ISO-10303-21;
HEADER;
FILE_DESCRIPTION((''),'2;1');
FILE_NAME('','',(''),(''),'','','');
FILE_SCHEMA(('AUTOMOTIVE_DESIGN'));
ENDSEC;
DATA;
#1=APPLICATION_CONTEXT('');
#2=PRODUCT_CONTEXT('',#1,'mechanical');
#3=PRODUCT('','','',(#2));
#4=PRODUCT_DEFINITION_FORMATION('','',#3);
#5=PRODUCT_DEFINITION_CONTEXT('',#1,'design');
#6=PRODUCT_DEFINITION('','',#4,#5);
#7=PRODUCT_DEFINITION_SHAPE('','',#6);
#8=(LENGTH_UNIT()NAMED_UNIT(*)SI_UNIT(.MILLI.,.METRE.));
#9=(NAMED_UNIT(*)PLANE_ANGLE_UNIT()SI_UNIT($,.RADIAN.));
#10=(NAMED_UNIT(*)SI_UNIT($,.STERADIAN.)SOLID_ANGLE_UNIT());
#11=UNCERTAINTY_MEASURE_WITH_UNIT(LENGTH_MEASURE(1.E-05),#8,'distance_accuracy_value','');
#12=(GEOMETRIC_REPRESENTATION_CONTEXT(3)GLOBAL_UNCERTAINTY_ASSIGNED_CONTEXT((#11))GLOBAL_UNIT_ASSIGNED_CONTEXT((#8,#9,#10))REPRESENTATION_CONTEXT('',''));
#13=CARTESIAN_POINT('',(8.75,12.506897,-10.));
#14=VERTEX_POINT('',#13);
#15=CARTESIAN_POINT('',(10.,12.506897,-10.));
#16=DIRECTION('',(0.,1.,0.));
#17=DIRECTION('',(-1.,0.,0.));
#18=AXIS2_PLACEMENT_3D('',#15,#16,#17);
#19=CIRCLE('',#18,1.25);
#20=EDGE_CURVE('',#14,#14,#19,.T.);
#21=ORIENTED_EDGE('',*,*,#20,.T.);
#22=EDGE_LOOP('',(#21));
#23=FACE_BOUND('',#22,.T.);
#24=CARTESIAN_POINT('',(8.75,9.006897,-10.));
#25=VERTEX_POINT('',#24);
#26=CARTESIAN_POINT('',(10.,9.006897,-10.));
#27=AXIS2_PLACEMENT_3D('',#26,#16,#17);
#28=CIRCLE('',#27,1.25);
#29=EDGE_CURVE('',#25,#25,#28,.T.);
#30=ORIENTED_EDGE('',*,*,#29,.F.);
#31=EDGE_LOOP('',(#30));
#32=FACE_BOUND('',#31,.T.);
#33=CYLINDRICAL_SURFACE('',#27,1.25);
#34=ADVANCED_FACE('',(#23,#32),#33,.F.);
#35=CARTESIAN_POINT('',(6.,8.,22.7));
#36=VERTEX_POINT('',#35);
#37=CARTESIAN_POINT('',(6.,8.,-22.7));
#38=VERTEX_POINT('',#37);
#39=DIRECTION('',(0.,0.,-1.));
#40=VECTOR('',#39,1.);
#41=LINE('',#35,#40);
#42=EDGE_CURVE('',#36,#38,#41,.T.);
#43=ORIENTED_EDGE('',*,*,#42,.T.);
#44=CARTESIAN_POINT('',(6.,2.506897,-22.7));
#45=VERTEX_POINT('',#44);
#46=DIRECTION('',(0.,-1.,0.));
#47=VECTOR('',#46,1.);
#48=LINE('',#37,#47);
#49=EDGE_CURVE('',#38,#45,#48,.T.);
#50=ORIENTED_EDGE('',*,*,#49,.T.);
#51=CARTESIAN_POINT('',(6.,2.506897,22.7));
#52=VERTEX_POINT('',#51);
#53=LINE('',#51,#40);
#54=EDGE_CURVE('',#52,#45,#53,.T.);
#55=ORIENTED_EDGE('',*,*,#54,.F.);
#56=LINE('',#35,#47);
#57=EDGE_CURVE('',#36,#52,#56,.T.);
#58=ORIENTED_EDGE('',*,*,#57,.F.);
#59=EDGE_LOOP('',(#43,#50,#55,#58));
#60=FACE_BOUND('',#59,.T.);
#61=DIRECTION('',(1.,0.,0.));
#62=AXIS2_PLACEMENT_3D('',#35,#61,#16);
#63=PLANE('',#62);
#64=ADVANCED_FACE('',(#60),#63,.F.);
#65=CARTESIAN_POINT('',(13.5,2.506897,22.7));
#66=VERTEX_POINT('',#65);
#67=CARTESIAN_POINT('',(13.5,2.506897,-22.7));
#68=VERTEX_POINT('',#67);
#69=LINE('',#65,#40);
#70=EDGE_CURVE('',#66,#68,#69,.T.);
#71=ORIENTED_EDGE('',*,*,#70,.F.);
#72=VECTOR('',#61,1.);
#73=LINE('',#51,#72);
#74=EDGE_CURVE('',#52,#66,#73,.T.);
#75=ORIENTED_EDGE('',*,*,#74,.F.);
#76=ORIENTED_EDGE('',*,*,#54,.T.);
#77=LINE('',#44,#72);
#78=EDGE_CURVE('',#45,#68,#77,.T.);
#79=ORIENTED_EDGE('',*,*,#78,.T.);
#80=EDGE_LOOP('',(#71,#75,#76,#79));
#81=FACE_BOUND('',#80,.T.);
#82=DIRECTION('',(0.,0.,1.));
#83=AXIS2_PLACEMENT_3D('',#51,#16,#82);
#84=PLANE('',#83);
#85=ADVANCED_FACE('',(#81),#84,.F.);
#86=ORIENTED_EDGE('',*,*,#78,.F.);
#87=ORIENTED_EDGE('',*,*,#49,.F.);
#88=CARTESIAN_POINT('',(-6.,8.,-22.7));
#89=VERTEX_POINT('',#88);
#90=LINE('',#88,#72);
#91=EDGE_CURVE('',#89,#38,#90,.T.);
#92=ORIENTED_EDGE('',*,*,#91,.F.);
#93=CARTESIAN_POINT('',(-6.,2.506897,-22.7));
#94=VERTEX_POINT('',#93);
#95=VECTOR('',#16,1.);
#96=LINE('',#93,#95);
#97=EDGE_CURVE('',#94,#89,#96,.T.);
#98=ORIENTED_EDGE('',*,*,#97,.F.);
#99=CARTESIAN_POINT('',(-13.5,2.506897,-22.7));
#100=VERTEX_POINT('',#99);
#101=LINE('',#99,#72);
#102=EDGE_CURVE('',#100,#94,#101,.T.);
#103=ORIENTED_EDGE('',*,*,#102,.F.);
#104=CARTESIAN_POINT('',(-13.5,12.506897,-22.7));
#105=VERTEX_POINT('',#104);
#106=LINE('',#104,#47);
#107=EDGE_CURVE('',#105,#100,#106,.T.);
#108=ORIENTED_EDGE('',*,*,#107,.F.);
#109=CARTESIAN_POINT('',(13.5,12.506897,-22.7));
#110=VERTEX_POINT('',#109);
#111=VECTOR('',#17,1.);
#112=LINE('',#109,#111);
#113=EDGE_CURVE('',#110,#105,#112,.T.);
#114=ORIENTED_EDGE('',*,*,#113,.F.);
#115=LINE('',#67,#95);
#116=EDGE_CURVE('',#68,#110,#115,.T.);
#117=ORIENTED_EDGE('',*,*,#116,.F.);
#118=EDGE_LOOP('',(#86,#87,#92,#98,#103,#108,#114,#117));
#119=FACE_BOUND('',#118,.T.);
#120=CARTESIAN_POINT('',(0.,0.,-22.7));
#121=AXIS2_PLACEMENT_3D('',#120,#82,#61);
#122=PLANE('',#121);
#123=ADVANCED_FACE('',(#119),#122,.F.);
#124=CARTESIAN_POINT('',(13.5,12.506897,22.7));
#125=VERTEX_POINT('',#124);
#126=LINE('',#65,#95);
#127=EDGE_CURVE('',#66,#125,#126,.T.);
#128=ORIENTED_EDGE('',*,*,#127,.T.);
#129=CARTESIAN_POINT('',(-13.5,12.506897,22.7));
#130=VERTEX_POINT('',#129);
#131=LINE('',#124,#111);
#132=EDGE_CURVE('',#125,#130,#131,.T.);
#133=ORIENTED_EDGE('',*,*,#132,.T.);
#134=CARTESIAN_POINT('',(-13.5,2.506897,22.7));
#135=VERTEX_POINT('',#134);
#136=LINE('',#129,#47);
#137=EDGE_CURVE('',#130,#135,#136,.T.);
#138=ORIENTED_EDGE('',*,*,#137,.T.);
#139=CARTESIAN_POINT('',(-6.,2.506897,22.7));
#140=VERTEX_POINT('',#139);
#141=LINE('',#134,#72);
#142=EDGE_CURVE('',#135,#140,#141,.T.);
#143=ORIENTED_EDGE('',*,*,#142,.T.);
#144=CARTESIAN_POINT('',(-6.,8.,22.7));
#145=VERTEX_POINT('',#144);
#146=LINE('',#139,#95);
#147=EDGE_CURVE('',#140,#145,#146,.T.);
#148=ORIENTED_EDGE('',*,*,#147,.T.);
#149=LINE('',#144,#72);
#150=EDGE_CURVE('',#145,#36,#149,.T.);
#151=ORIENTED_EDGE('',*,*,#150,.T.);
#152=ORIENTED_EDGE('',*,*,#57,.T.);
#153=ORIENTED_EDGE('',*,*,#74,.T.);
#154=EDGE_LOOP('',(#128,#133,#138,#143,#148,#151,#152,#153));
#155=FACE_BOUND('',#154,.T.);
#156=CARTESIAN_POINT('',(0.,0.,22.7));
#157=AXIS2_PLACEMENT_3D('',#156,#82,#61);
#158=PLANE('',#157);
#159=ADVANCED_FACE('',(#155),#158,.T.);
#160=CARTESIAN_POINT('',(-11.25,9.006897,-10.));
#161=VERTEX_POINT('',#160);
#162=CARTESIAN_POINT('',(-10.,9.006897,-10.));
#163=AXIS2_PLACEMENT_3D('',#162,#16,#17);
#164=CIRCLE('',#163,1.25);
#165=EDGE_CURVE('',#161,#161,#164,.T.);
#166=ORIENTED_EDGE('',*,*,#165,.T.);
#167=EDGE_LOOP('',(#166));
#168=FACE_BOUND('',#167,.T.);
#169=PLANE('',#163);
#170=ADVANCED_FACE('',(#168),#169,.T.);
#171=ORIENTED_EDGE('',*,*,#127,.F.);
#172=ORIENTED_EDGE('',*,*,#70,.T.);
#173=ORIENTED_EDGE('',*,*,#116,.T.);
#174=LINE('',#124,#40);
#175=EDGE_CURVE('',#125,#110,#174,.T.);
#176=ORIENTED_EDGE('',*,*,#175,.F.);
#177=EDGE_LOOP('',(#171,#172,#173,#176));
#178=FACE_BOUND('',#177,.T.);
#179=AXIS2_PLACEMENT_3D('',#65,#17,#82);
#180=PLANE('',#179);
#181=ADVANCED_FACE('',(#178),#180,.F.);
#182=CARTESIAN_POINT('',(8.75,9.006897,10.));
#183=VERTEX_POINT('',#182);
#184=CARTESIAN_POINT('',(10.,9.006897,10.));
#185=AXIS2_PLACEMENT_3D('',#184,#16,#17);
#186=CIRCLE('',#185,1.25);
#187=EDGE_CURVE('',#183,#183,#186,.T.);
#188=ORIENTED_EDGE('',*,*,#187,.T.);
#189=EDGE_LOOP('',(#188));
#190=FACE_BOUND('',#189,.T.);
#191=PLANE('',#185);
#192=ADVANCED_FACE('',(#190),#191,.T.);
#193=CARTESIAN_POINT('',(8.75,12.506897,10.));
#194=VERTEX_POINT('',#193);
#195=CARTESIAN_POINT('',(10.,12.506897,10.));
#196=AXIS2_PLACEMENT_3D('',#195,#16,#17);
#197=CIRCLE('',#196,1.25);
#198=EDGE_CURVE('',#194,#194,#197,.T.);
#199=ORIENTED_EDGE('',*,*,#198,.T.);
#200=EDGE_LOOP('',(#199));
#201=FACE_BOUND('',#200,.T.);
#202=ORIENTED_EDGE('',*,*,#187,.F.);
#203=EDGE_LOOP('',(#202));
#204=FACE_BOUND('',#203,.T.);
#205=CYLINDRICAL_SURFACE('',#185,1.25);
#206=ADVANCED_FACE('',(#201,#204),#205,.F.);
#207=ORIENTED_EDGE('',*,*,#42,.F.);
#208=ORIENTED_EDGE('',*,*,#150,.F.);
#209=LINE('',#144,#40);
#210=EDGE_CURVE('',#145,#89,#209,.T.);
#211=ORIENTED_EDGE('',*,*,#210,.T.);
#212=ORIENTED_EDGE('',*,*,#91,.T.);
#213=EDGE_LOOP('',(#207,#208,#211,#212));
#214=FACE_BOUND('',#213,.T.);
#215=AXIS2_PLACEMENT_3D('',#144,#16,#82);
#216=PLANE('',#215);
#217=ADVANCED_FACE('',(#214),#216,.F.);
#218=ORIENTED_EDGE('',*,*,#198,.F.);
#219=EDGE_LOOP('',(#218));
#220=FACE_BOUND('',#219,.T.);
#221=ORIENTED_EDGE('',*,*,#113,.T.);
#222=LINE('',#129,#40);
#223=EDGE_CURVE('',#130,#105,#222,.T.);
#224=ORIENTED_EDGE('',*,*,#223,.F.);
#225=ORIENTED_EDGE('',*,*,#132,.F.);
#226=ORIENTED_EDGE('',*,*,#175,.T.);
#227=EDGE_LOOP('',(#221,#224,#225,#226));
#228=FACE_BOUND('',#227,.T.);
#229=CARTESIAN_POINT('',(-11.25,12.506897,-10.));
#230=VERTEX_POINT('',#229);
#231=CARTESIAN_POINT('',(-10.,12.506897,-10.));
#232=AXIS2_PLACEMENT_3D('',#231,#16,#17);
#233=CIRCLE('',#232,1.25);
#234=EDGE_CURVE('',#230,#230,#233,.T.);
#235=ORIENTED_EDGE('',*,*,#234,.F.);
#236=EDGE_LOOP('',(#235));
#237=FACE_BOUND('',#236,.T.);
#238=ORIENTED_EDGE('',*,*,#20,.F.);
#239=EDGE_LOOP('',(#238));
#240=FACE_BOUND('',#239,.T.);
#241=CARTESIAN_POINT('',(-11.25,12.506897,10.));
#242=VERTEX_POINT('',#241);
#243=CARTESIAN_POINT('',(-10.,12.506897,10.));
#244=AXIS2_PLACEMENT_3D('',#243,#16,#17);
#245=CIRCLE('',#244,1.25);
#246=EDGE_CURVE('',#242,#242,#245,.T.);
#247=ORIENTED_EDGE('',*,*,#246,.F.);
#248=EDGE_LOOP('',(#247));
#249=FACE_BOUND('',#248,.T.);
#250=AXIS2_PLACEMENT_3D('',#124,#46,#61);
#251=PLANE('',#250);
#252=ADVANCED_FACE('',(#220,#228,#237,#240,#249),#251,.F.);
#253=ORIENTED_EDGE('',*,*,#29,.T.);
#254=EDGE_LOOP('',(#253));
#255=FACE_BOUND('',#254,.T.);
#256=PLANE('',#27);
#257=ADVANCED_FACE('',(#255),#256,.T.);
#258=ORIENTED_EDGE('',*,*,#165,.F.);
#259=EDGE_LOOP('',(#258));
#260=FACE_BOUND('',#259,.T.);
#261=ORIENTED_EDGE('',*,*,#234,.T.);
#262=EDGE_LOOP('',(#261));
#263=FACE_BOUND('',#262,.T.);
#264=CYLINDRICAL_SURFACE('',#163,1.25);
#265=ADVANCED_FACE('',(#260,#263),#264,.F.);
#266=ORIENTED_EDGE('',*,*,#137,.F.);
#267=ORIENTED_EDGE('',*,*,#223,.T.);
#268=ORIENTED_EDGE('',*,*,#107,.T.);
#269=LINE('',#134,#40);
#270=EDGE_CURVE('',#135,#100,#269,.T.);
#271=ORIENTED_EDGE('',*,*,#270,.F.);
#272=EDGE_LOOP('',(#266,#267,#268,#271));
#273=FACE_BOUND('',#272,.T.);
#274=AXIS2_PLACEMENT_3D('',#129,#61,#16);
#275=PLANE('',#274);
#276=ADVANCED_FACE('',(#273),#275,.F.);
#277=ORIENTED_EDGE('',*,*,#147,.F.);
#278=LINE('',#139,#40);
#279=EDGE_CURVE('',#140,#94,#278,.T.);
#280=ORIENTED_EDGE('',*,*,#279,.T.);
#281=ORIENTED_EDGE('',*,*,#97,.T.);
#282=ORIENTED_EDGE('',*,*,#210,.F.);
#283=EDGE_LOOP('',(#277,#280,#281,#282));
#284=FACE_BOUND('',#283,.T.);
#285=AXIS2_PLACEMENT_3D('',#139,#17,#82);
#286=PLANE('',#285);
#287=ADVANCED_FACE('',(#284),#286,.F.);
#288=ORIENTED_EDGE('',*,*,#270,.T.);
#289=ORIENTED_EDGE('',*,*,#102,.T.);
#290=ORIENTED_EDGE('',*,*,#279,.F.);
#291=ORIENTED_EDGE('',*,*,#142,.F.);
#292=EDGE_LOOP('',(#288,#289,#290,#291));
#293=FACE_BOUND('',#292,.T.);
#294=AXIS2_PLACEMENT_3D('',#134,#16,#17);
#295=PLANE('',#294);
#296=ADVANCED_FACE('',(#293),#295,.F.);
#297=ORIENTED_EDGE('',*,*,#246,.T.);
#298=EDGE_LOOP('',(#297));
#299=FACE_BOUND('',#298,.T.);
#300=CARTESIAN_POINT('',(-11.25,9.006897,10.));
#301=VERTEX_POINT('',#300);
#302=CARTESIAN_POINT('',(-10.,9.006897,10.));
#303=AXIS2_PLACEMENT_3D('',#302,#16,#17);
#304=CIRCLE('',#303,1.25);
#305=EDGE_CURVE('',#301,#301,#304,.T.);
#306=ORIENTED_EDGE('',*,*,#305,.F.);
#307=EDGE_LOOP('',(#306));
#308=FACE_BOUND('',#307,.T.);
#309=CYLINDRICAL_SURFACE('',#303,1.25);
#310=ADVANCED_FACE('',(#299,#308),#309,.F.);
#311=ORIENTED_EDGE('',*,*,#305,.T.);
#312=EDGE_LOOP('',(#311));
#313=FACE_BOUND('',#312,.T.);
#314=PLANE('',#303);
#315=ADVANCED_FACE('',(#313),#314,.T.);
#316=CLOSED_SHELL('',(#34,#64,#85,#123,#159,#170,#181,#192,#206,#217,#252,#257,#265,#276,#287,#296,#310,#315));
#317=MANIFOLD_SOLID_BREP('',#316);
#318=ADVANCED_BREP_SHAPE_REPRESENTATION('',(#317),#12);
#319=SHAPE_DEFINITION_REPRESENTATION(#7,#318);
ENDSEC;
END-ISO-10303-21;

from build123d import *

# Parameters (mm, degrees)
BOSS_EXTRUDE1_DEPTH = 22.7
SKETCH2_R           = 1.25
CUT_EXTRUDE1_DEPTH  = 3.5


with BuildPart() as part:
    # Sketch1 → Boss-Extrude1 (new, symmetric)
    with BuildSketch(Plane.XY):
        Polygon((-13.5, 2.506896552), (-6, 2.506896552), (-6, 8), (6, 8), (6, 2.506896552), (13.5, 2.506896552), (13.5, 12.506896552), (-13.5, 12.506896552), align=None)
    extrude(amount=BOSS_EXTRUDE1_DEPTH, both=True)

    # Sketch2 → Cut-Extrude1 (cut)
    with BuildSketch(Plane(origin=(0, 12.506896552, 0), x_dir=(1, 0, 0), z_dir=(0, 1, 0))):
        with Locations(Location((-10, 10, 0), (0, 0, 180))):
            Circle(SKETCH2_R)
        with Locations(Location((10, 10, 0), (0, 0, 180))):
            Circle(SKETCH2_R)
        with Locations(Location((-10, -10, 0), (0, 0, 180))):
            Circle(SKETCH2_R)
        with Locations(Location((10, -10, 0), (0, 0, 180))):
            Circle(SKETCH2_R)
    extrude(amount=-CUT_EXTRUDE1_DEPTH, mode=Mode.SUBTRACT)


solid = part.part
